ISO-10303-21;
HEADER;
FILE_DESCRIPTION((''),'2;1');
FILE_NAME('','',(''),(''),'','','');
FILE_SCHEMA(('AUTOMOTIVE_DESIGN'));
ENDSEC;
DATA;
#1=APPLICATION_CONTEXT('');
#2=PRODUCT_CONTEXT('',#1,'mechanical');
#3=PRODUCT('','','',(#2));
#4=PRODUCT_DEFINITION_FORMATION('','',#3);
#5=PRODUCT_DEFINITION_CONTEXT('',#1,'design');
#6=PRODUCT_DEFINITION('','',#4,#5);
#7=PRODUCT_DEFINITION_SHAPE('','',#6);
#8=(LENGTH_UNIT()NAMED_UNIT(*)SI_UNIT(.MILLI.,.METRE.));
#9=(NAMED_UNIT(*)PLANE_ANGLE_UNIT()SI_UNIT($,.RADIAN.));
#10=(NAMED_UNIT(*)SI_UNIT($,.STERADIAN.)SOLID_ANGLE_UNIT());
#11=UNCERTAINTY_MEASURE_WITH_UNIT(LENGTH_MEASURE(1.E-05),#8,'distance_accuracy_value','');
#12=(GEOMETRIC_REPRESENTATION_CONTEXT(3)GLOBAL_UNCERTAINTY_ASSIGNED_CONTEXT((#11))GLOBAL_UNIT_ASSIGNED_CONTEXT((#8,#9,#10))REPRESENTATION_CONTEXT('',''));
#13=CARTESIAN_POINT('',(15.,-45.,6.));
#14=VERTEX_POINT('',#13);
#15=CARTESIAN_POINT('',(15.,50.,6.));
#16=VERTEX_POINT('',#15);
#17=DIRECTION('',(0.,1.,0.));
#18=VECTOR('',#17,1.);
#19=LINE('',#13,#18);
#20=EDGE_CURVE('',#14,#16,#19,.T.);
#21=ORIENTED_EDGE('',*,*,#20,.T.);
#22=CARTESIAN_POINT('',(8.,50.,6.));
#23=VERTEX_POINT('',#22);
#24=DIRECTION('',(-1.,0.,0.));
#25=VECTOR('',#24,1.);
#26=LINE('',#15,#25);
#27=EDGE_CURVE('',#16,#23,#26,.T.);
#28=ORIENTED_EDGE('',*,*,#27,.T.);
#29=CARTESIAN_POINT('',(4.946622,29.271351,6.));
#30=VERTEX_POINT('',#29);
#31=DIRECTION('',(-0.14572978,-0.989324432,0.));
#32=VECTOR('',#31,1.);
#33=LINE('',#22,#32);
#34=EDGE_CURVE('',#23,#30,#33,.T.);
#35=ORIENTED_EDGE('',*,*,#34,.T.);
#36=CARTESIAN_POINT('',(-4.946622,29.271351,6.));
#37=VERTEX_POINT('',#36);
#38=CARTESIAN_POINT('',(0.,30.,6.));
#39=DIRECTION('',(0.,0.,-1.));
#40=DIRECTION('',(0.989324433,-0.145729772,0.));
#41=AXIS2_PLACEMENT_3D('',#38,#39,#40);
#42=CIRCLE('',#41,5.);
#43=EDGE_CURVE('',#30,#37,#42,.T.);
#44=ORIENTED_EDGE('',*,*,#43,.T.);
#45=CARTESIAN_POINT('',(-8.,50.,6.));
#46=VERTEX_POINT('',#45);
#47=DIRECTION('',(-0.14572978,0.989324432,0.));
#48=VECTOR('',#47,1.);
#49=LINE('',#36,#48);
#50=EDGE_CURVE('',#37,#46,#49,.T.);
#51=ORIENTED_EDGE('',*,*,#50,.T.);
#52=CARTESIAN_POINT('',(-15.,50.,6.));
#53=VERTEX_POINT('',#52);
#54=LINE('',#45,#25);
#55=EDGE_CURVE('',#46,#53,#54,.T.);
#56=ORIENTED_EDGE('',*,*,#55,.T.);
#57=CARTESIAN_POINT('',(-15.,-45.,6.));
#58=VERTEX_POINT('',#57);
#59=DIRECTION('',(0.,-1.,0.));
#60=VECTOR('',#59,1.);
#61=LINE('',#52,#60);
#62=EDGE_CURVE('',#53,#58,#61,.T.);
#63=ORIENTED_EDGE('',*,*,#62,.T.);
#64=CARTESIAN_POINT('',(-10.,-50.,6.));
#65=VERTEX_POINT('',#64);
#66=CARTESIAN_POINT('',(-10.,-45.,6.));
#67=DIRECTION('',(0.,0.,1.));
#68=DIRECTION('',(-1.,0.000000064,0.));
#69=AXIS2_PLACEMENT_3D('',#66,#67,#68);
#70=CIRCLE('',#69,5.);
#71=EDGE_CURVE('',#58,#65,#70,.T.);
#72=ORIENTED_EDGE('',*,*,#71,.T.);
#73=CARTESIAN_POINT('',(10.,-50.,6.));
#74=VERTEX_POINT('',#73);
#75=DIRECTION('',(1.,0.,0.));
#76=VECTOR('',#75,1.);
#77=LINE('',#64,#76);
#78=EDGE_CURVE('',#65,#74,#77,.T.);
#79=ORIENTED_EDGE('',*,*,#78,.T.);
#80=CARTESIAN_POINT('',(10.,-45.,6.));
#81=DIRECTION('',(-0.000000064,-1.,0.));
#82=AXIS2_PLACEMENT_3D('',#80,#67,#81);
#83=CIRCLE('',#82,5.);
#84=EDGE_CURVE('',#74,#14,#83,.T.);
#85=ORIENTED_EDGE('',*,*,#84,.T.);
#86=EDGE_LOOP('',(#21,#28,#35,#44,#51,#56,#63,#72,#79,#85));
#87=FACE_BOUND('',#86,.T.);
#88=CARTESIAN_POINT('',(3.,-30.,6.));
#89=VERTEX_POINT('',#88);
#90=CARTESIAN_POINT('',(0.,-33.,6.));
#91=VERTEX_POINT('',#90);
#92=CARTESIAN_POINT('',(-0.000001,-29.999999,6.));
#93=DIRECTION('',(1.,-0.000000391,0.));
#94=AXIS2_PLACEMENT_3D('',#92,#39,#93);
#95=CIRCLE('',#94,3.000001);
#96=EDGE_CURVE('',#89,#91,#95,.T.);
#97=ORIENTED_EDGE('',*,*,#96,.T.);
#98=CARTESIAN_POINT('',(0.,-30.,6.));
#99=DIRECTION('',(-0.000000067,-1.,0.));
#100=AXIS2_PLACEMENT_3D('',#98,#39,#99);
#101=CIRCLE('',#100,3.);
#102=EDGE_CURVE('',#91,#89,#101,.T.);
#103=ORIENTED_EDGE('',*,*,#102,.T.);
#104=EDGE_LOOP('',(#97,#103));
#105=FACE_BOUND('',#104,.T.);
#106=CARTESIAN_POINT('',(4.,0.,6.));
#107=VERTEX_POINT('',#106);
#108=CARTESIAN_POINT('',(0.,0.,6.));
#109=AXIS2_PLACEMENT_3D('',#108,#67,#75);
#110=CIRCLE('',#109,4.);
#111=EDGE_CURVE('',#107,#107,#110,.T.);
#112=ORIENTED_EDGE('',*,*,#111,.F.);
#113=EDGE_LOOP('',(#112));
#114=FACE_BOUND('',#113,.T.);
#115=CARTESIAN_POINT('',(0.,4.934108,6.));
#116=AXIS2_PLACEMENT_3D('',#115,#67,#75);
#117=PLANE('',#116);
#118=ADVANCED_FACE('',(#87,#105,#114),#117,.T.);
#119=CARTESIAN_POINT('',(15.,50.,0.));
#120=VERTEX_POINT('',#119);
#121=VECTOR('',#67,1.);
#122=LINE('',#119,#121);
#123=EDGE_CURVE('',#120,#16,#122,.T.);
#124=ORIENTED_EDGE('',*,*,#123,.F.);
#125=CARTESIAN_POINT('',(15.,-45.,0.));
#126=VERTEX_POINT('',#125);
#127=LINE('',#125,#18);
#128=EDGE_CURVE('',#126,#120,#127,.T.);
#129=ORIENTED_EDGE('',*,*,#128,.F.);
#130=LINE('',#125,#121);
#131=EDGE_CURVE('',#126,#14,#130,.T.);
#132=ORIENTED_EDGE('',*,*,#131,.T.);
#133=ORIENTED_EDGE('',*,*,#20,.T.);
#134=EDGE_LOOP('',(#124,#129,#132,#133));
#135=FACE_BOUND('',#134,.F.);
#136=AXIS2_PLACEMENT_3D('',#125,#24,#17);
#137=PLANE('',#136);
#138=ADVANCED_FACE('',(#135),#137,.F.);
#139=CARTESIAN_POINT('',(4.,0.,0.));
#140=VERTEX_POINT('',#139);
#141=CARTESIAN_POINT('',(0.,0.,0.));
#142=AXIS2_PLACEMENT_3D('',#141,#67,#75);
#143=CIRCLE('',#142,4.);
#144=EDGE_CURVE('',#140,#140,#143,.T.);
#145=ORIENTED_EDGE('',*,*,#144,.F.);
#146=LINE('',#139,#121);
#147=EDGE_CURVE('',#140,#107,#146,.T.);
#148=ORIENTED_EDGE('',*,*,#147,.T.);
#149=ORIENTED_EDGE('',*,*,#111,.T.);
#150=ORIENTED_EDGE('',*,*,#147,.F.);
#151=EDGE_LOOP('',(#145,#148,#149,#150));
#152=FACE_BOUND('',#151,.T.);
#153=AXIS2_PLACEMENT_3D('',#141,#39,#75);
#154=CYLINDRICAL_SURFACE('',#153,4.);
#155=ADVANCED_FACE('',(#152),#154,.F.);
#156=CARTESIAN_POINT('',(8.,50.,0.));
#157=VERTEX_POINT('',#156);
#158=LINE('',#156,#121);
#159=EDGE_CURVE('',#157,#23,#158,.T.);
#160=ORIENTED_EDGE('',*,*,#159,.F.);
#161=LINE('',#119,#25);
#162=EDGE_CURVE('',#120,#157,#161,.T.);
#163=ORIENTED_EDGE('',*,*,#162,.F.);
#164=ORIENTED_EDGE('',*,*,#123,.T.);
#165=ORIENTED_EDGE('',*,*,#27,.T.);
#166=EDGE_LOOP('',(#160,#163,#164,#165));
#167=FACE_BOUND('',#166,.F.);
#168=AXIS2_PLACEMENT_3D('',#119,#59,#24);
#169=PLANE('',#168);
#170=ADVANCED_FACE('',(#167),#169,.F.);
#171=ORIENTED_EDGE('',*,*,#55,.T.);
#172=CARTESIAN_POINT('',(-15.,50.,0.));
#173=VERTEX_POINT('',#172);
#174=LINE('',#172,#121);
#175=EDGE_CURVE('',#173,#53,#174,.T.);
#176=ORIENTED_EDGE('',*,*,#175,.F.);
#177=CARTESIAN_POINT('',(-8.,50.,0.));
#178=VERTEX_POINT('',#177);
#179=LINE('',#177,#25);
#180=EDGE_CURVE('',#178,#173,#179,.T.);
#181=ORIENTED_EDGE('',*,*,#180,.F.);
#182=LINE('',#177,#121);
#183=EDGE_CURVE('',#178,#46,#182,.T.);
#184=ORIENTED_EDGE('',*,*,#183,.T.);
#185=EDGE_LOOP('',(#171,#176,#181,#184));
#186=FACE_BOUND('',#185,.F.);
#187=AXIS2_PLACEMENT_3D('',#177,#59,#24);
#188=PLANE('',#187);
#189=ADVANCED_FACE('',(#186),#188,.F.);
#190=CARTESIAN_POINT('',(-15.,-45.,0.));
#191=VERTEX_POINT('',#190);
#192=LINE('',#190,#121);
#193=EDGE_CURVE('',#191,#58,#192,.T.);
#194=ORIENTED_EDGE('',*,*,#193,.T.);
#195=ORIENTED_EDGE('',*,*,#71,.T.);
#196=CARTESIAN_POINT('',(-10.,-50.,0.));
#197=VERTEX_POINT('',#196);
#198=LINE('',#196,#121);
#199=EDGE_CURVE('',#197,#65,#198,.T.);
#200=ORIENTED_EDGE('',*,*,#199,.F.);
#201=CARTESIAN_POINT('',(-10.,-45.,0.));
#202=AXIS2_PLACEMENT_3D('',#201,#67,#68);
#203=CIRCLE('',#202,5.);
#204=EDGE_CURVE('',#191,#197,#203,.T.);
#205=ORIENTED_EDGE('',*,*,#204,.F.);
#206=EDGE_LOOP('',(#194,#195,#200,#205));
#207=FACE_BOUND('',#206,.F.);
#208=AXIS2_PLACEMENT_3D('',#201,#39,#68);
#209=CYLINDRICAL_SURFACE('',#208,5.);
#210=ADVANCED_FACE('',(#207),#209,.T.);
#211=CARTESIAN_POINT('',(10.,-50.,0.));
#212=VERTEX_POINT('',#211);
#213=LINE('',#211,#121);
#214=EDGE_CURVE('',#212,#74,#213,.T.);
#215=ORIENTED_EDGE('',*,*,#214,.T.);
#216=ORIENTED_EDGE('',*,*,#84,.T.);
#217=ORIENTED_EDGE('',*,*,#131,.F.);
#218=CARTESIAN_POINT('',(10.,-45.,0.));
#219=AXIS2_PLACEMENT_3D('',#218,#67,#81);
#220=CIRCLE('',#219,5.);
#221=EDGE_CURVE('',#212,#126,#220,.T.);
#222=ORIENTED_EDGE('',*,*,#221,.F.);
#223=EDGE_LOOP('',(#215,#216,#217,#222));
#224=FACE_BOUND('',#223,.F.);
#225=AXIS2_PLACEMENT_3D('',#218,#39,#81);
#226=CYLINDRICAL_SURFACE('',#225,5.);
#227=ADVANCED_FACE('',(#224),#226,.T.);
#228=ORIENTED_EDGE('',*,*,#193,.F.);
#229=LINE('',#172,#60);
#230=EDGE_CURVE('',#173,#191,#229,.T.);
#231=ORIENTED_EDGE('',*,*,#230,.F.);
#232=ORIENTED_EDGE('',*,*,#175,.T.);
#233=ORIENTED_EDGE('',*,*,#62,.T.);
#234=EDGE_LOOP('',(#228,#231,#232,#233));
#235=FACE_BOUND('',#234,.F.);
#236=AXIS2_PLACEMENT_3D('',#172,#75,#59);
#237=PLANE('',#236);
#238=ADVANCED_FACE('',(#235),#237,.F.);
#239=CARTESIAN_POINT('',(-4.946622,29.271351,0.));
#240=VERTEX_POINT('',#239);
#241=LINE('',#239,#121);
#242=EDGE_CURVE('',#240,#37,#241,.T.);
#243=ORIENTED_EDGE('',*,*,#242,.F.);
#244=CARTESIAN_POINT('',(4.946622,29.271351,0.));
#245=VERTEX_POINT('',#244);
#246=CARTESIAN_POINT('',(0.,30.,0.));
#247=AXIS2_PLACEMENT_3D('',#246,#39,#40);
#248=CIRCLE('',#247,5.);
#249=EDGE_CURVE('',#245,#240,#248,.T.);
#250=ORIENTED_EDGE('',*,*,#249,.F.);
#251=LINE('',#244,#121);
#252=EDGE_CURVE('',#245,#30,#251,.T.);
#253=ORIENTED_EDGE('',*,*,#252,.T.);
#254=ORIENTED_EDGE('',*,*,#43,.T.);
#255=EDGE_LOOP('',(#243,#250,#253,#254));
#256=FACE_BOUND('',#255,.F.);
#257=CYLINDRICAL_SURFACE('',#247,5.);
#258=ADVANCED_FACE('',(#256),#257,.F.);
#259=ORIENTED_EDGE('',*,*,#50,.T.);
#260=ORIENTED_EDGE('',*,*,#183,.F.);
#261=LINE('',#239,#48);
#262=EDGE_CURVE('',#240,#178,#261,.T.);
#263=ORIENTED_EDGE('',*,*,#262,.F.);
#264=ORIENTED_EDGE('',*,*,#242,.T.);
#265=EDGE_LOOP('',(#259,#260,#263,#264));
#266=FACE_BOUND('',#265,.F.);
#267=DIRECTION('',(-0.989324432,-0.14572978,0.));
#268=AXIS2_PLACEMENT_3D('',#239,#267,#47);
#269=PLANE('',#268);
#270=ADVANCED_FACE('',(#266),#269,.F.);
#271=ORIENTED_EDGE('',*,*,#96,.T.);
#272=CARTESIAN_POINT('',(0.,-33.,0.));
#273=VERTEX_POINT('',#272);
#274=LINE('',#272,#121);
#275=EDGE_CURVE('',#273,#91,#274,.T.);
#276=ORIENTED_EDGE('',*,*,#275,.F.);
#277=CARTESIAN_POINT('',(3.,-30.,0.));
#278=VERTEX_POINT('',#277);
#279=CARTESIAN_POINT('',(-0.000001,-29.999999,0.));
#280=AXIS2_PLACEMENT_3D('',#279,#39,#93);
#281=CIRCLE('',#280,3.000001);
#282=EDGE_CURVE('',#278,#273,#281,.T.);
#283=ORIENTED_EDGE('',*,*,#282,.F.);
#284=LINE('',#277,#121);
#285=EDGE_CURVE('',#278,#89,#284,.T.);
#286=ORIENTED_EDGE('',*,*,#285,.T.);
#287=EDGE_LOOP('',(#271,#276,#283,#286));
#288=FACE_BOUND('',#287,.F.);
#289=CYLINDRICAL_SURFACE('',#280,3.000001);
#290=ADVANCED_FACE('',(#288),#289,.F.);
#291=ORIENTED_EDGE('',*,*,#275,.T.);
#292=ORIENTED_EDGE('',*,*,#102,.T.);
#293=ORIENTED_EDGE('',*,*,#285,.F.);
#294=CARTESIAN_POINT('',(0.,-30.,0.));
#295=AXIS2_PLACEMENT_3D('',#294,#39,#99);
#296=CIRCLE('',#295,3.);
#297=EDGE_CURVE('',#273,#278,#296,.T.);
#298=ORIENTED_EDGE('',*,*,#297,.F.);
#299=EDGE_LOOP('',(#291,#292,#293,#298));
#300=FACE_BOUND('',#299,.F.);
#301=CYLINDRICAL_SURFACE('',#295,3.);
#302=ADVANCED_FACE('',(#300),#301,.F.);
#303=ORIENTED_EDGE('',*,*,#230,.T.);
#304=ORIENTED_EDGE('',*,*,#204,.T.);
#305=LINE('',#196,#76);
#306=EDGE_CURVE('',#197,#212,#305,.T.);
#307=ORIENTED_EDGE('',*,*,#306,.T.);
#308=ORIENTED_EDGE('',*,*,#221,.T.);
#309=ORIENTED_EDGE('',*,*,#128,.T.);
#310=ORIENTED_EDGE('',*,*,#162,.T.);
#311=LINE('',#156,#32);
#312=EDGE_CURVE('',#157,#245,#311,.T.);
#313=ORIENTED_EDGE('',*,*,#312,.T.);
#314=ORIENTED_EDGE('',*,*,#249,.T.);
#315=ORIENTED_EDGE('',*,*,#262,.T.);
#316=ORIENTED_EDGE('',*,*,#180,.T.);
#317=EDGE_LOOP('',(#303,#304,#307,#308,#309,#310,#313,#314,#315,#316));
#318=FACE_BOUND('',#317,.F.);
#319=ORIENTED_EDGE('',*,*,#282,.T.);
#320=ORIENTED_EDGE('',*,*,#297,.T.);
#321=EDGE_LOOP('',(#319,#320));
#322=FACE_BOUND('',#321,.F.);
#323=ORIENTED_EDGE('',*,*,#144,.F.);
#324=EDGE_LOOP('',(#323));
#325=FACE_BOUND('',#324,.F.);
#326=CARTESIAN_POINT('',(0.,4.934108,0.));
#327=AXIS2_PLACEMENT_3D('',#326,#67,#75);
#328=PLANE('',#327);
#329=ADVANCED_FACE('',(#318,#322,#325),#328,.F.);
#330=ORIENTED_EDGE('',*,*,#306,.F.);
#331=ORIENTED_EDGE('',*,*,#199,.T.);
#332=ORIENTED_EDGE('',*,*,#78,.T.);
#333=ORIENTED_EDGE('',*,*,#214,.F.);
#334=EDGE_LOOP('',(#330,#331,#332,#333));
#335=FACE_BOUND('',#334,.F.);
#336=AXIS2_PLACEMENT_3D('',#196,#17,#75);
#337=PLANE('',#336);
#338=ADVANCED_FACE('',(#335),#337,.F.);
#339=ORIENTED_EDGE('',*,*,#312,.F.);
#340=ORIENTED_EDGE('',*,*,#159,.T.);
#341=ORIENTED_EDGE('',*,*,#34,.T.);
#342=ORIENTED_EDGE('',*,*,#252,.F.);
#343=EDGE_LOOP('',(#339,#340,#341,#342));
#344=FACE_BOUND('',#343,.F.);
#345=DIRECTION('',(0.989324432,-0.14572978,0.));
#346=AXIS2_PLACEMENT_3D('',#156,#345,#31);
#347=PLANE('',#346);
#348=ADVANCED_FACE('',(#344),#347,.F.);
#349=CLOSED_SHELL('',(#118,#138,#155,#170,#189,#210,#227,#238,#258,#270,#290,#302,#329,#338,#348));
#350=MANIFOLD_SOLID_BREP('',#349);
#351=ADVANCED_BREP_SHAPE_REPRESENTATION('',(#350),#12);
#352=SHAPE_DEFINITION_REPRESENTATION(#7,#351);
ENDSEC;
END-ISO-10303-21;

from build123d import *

# Parameters (mm, degrees)
F0_R     = 4
F1_DEPTH = 6


with BuildPart() as f1:
    # F0 (on Top) → F1 (new body)
    with BuildSketch(Plane.XY):
        with BuildLine():
            Line((-8, 50), (-15, 50))
            Line((-15, 50), (-15, -45))
            ThreePointArc((-15, -45), (-13.535534, -48.535534), (-10, -50))
            Line((-10, -50), (0, -50))
            Line((0, -50), (10, -50))
            ThreePointArc((10, -50), (13.535534, -48.535534), (15, -45))
            Line((15, -45), (15, 50))
            Line((15, 50), (8, 50))
            Line((8, 50), (4.946622, 29.271351))
            ThreePointArc((4.946622, 29.271351), (0, 25), (-4.946622, 29.271351))
            Line((-4.946622, 29.271351), (-8, 50))
        make_face()
        with BuildLine():
            ThreePointArc((3, -30), (2.12132, -32.12132), (0, -33))
            ThreePointArc((0, -33), (-2.12132, -27.87868), (3, -30))
        make_face(mode=Mode.SUBTRACT)
        Circle(F0_R, mode=Mode.SUBTRACT)
    extrude(amount=F1_DEPTH)


solid = f1.part
